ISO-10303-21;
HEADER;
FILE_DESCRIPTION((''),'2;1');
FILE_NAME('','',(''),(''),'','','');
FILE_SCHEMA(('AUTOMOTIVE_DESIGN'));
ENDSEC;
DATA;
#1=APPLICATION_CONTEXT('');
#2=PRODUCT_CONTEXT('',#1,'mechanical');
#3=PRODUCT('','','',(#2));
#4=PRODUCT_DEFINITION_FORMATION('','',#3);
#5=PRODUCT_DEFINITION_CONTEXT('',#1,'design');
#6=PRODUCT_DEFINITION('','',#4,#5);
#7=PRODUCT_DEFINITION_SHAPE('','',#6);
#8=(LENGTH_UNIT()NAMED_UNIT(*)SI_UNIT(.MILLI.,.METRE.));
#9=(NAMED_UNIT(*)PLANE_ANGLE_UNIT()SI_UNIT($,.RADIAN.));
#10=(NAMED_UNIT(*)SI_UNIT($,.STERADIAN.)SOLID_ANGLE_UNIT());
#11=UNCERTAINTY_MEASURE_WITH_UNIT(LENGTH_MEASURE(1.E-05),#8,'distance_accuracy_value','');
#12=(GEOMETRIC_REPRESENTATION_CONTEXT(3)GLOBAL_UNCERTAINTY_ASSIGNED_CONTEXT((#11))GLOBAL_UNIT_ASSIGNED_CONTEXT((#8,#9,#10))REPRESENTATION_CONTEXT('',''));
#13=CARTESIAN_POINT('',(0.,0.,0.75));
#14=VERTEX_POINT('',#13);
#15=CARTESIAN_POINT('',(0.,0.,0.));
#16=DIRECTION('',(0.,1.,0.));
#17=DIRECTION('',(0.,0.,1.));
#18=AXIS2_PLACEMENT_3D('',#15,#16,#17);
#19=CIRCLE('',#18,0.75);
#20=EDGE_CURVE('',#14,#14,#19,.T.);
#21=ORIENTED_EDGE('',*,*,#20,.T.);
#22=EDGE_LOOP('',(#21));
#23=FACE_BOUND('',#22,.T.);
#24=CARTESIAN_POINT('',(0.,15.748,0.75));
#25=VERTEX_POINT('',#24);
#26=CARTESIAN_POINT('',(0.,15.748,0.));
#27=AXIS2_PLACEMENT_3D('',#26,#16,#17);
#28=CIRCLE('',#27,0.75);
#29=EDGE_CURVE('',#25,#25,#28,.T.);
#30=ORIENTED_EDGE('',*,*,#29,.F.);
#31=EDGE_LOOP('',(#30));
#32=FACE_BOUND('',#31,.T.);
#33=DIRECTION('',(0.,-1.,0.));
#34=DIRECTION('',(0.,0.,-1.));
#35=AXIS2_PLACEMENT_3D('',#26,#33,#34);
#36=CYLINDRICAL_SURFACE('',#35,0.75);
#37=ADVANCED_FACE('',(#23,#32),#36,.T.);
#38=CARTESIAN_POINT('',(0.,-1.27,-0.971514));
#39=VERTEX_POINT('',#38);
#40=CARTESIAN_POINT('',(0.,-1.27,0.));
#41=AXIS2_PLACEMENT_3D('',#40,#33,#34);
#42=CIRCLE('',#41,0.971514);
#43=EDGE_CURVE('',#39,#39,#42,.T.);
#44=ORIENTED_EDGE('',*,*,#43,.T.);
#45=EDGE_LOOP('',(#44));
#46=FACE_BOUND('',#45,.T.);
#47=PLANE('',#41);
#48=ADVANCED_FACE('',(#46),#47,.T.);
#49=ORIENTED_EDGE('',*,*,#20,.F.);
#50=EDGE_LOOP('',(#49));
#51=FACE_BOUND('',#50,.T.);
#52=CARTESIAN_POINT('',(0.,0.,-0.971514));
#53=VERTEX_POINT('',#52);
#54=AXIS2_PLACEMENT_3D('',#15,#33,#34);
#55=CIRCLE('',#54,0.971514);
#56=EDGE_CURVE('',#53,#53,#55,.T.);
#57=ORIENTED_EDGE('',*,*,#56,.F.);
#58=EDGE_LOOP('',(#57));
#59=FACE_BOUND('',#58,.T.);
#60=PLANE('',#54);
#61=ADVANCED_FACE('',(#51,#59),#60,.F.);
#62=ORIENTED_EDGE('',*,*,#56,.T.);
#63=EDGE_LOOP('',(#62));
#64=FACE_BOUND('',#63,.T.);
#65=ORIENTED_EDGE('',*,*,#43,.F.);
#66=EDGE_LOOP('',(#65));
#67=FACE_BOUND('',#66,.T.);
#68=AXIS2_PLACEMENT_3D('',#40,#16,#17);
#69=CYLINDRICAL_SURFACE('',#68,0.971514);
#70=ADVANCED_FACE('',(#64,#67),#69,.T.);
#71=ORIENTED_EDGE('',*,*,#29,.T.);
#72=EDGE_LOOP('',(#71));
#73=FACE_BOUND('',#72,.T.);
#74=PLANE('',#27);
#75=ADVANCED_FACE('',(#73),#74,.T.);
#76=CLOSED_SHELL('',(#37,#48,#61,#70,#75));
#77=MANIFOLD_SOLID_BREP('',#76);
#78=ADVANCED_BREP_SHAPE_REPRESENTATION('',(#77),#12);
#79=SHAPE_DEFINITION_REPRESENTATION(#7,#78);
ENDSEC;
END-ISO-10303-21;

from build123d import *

# Parameters (mm, degrees)
SKETCH1_R           = 0.750000024
BOSS_EXTRUDE1_DEPTH = 15.748
SKETCH3_R           = 0.971513934
BOSS_EXTRUDE3_DEPTH = 1.27


with BuildPart() as part:
    # Sketch1 → Boss-Extrude1 (new body)
    with BuildSketch(Plane(origin=(0, 0, 0), x_dir=(1, 0, 0), z_dir=(0, 1, 0))):
        with Locations(Location((0, 0, 0), (0, 0, 270))):
            Circle(SKETCH1_R)
    extrude(amount=BOSS_EXTRUDE1_DEPTH)

    # Sketch3 → Boss-Extrude3 (add)
    with BuildSketch(Plane.XZ):
        with Locations(Location((0, 0, 0), (0, 0, 270))):
            Circle(SKETCH3_R)
    extrude(amount=BOSS_EXTRUDE3_DEPTH)


solid = part.part
